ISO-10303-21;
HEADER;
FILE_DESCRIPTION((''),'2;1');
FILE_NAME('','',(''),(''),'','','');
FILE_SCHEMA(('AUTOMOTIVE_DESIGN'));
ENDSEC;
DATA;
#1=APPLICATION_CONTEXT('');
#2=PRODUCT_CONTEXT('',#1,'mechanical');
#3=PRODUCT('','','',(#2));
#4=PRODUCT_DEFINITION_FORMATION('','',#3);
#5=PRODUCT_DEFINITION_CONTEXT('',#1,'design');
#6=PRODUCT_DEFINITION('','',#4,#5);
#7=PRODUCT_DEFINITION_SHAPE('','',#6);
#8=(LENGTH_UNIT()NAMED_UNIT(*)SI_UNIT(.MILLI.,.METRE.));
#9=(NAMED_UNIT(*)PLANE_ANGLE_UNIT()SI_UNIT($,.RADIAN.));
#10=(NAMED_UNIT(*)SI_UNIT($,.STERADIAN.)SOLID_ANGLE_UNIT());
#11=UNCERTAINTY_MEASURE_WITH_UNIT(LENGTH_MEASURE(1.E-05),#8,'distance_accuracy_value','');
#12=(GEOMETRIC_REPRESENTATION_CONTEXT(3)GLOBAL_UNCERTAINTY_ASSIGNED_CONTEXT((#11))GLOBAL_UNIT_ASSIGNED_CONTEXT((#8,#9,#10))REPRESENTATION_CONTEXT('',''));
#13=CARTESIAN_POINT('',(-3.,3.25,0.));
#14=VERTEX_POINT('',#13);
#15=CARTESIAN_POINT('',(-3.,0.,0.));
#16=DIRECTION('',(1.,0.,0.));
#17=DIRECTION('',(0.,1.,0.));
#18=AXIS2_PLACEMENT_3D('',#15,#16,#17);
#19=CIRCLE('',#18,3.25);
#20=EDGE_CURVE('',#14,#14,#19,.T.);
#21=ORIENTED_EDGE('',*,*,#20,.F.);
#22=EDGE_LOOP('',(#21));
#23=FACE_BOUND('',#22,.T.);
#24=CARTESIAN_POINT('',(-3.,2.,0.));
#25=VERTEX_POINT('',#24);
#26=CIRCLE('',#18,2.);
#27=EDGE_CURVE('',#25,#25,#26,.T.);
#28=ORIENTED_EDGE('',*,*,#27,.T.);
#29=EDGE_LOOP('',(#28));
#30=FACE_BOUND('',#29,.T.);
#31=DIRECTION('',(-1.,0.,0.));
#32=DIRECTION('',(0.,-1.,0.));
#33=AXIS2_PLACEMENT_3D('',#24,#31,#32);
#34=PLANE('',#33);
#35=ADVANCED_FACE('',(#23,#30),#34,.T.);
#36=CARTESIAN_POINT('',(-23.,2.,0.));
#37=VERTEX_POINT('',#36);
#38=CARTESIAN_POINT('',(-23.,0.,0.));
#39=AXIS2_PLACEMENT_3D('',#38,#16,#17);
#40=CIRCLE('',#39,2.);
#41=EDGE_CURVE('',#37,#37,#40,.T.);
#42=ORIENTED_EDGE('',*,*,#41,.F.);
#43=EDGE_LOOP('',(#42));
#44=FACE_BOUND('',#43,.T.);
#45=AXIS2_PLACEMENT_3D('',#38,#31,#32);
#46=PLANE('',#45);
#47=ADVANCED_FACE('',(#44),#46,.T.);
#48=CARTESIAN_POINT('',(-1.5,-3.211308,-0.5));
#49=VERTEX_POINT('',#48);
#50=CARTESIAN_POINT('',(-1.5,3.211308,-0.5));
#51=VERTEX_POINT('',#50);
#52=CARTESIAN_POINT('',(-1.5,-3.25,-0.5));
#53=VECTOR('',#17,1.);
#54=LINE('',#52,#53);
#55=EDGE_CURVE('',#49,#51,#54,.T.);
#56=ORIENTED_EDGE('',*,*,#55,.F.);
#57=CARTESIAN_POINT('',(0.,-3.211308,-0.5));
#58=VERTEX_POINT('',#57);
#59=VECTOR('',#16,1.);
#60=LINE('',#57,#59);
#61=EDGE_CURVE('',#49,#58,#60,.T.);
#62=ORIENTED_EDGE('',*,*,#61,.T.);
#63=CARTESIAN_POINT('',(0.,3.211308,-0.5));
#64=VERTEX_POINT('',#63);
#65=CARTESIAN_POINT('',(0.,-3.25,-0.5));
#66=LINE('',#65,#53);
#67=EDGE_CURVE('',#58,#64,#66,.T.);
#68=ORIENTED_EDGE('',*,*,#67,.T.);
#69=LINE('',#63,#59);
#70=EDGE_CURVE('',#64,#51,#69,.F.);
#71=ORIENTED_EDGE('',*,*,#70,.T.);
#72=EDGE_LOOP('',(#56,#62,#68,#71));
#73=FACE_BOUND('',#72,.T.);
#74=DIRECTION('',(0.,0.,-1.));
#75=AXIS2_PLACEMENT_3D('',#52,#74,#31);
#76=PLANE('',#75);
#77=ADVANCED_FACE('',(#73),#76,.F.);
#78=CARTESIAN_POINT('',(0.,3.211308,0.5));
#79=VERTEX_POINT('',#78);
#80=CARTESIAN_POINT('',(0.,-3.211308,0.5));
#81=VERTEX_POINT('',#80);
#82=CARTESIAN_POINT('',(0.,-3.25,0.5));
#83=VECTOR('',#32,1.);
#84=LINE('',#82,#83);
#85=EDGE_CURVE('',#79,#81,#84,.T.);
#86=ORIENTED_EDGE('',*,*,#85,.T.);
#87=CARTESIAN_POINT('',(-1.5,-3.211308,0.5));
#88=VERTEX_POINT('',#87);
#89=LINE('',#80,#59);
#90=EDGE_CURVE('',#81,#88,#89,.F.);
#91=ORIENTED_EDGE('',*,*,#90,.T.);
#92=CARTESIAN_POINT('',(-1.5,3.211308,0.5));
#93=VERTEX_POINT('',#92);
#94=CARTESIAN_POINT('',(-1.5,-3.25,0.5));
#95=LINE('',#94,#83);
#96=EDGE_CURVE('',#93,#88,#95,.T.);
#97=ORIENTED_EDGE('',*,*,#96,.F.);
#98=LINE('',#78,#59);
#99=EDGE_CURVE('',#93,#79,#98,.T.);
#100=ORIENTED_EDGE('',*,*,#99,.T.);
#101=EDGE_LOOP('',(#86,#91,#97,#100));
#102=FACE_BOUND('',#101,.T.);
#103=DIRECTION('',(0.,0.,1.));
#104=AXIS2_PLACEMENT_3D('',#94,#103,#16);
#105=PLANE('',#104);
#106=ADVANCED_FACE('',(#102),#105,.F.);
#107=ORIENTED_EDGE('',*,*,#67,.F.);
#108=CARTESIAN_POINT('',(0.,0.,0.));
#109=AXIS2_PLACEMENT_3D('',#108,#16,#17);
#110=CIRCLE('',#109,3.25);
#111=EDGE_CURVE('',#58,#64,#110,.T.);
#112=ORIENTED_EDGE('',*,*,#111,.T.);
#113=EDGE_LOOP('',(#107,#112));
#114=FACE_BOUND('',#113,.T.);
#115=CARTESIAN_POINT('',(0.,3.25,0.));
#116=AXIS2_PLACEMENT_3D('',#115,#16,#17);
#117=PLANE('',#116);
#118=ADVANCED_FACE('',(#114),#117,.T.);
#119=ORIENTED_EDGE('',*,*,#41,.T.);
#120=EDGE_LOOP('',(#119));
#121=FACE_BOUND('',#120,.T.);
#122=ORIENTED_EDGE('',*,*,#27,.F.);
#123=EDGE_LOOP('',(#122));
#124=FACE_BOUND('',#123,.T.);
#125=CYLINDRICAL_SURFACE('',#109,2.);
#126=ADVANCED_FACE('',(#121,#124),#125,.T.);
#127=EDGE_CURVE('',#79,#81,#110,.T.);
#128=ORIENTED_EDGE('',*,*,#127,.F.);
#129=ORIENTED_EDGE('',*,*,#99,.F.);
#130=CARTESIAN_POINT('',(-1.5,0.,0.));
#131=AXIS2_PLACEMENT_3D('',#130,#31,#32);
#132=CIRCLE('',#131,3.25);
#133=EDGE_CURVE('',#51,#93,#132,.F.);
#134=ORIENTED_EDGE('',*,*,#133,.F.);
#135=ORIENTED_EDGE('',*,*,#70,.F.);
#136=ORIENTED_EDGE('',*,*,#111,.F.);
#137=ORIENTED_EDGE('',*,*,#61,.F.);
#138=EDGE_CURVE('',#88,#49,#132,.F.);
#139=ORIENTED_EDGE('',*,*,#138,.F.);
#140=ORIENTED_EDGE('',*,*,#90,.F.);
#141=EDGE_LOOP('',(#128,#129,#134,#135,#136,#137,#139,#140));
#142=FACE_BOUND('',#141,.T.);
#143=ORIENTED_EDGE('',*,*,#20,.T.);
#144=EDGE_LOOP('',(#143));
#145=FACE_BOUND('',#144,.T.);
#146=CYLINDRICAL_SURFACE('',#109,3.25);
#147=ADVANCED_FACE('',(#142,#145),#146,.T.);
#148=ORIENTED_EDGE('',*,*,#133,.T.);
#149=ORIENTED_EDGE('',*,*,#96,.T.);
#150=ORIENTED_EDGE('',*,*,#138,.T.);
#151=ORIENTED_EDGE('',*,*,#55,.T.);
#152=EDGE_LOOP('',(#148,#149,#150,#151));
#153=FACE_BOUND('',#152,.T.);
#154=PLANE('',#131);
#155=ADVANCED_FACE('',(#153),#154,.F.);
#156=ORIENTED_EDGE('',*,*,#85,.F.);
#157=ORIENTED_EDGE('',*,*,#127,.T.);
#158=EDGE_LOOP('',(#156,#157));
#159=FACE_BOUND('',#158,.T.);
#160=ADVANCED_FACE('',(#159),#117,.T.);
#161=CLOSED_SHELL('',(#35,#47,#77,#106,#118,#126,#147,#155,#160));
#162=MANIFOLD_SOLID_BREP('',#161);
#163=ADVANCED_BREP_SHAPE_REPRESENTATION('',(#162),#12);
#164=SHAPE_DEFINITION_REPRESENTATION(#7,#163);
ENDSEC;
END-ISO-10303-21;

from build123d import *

# Parameters (mm, degrees)
SKETCH2_W          = 1
SKETCH2_H          = 6.5
CUT_EXTRUDE1_DEPTH = 1.5


with BuildPart() as part:
    # Sketch1 → Revolve1 (revolve)
    with BuildSketch(Plane.XY):
        Polygon((0, 0), (-23, 0), (-23, 2), (-3, 2), (-3, 3.25), (0, 3.25), align=None)
    revolve(axis=Axis((0, 0, 0), (-1, 0, 0)))

    # Sketch2 → Cut-Extrude1 (cut)
    with BuildSketch(Plane(origin=(0, 0, 0), x_dir=(0, 0, -1), z_dir=(1, 0, 0))):
        Rectangle(SKETCH2_W, SKETCH2_H)
    extrude(amount=-CUT_EXTRUDE1_DEPTH, mode=Mode.SUBTRACT)


solid = part.part
